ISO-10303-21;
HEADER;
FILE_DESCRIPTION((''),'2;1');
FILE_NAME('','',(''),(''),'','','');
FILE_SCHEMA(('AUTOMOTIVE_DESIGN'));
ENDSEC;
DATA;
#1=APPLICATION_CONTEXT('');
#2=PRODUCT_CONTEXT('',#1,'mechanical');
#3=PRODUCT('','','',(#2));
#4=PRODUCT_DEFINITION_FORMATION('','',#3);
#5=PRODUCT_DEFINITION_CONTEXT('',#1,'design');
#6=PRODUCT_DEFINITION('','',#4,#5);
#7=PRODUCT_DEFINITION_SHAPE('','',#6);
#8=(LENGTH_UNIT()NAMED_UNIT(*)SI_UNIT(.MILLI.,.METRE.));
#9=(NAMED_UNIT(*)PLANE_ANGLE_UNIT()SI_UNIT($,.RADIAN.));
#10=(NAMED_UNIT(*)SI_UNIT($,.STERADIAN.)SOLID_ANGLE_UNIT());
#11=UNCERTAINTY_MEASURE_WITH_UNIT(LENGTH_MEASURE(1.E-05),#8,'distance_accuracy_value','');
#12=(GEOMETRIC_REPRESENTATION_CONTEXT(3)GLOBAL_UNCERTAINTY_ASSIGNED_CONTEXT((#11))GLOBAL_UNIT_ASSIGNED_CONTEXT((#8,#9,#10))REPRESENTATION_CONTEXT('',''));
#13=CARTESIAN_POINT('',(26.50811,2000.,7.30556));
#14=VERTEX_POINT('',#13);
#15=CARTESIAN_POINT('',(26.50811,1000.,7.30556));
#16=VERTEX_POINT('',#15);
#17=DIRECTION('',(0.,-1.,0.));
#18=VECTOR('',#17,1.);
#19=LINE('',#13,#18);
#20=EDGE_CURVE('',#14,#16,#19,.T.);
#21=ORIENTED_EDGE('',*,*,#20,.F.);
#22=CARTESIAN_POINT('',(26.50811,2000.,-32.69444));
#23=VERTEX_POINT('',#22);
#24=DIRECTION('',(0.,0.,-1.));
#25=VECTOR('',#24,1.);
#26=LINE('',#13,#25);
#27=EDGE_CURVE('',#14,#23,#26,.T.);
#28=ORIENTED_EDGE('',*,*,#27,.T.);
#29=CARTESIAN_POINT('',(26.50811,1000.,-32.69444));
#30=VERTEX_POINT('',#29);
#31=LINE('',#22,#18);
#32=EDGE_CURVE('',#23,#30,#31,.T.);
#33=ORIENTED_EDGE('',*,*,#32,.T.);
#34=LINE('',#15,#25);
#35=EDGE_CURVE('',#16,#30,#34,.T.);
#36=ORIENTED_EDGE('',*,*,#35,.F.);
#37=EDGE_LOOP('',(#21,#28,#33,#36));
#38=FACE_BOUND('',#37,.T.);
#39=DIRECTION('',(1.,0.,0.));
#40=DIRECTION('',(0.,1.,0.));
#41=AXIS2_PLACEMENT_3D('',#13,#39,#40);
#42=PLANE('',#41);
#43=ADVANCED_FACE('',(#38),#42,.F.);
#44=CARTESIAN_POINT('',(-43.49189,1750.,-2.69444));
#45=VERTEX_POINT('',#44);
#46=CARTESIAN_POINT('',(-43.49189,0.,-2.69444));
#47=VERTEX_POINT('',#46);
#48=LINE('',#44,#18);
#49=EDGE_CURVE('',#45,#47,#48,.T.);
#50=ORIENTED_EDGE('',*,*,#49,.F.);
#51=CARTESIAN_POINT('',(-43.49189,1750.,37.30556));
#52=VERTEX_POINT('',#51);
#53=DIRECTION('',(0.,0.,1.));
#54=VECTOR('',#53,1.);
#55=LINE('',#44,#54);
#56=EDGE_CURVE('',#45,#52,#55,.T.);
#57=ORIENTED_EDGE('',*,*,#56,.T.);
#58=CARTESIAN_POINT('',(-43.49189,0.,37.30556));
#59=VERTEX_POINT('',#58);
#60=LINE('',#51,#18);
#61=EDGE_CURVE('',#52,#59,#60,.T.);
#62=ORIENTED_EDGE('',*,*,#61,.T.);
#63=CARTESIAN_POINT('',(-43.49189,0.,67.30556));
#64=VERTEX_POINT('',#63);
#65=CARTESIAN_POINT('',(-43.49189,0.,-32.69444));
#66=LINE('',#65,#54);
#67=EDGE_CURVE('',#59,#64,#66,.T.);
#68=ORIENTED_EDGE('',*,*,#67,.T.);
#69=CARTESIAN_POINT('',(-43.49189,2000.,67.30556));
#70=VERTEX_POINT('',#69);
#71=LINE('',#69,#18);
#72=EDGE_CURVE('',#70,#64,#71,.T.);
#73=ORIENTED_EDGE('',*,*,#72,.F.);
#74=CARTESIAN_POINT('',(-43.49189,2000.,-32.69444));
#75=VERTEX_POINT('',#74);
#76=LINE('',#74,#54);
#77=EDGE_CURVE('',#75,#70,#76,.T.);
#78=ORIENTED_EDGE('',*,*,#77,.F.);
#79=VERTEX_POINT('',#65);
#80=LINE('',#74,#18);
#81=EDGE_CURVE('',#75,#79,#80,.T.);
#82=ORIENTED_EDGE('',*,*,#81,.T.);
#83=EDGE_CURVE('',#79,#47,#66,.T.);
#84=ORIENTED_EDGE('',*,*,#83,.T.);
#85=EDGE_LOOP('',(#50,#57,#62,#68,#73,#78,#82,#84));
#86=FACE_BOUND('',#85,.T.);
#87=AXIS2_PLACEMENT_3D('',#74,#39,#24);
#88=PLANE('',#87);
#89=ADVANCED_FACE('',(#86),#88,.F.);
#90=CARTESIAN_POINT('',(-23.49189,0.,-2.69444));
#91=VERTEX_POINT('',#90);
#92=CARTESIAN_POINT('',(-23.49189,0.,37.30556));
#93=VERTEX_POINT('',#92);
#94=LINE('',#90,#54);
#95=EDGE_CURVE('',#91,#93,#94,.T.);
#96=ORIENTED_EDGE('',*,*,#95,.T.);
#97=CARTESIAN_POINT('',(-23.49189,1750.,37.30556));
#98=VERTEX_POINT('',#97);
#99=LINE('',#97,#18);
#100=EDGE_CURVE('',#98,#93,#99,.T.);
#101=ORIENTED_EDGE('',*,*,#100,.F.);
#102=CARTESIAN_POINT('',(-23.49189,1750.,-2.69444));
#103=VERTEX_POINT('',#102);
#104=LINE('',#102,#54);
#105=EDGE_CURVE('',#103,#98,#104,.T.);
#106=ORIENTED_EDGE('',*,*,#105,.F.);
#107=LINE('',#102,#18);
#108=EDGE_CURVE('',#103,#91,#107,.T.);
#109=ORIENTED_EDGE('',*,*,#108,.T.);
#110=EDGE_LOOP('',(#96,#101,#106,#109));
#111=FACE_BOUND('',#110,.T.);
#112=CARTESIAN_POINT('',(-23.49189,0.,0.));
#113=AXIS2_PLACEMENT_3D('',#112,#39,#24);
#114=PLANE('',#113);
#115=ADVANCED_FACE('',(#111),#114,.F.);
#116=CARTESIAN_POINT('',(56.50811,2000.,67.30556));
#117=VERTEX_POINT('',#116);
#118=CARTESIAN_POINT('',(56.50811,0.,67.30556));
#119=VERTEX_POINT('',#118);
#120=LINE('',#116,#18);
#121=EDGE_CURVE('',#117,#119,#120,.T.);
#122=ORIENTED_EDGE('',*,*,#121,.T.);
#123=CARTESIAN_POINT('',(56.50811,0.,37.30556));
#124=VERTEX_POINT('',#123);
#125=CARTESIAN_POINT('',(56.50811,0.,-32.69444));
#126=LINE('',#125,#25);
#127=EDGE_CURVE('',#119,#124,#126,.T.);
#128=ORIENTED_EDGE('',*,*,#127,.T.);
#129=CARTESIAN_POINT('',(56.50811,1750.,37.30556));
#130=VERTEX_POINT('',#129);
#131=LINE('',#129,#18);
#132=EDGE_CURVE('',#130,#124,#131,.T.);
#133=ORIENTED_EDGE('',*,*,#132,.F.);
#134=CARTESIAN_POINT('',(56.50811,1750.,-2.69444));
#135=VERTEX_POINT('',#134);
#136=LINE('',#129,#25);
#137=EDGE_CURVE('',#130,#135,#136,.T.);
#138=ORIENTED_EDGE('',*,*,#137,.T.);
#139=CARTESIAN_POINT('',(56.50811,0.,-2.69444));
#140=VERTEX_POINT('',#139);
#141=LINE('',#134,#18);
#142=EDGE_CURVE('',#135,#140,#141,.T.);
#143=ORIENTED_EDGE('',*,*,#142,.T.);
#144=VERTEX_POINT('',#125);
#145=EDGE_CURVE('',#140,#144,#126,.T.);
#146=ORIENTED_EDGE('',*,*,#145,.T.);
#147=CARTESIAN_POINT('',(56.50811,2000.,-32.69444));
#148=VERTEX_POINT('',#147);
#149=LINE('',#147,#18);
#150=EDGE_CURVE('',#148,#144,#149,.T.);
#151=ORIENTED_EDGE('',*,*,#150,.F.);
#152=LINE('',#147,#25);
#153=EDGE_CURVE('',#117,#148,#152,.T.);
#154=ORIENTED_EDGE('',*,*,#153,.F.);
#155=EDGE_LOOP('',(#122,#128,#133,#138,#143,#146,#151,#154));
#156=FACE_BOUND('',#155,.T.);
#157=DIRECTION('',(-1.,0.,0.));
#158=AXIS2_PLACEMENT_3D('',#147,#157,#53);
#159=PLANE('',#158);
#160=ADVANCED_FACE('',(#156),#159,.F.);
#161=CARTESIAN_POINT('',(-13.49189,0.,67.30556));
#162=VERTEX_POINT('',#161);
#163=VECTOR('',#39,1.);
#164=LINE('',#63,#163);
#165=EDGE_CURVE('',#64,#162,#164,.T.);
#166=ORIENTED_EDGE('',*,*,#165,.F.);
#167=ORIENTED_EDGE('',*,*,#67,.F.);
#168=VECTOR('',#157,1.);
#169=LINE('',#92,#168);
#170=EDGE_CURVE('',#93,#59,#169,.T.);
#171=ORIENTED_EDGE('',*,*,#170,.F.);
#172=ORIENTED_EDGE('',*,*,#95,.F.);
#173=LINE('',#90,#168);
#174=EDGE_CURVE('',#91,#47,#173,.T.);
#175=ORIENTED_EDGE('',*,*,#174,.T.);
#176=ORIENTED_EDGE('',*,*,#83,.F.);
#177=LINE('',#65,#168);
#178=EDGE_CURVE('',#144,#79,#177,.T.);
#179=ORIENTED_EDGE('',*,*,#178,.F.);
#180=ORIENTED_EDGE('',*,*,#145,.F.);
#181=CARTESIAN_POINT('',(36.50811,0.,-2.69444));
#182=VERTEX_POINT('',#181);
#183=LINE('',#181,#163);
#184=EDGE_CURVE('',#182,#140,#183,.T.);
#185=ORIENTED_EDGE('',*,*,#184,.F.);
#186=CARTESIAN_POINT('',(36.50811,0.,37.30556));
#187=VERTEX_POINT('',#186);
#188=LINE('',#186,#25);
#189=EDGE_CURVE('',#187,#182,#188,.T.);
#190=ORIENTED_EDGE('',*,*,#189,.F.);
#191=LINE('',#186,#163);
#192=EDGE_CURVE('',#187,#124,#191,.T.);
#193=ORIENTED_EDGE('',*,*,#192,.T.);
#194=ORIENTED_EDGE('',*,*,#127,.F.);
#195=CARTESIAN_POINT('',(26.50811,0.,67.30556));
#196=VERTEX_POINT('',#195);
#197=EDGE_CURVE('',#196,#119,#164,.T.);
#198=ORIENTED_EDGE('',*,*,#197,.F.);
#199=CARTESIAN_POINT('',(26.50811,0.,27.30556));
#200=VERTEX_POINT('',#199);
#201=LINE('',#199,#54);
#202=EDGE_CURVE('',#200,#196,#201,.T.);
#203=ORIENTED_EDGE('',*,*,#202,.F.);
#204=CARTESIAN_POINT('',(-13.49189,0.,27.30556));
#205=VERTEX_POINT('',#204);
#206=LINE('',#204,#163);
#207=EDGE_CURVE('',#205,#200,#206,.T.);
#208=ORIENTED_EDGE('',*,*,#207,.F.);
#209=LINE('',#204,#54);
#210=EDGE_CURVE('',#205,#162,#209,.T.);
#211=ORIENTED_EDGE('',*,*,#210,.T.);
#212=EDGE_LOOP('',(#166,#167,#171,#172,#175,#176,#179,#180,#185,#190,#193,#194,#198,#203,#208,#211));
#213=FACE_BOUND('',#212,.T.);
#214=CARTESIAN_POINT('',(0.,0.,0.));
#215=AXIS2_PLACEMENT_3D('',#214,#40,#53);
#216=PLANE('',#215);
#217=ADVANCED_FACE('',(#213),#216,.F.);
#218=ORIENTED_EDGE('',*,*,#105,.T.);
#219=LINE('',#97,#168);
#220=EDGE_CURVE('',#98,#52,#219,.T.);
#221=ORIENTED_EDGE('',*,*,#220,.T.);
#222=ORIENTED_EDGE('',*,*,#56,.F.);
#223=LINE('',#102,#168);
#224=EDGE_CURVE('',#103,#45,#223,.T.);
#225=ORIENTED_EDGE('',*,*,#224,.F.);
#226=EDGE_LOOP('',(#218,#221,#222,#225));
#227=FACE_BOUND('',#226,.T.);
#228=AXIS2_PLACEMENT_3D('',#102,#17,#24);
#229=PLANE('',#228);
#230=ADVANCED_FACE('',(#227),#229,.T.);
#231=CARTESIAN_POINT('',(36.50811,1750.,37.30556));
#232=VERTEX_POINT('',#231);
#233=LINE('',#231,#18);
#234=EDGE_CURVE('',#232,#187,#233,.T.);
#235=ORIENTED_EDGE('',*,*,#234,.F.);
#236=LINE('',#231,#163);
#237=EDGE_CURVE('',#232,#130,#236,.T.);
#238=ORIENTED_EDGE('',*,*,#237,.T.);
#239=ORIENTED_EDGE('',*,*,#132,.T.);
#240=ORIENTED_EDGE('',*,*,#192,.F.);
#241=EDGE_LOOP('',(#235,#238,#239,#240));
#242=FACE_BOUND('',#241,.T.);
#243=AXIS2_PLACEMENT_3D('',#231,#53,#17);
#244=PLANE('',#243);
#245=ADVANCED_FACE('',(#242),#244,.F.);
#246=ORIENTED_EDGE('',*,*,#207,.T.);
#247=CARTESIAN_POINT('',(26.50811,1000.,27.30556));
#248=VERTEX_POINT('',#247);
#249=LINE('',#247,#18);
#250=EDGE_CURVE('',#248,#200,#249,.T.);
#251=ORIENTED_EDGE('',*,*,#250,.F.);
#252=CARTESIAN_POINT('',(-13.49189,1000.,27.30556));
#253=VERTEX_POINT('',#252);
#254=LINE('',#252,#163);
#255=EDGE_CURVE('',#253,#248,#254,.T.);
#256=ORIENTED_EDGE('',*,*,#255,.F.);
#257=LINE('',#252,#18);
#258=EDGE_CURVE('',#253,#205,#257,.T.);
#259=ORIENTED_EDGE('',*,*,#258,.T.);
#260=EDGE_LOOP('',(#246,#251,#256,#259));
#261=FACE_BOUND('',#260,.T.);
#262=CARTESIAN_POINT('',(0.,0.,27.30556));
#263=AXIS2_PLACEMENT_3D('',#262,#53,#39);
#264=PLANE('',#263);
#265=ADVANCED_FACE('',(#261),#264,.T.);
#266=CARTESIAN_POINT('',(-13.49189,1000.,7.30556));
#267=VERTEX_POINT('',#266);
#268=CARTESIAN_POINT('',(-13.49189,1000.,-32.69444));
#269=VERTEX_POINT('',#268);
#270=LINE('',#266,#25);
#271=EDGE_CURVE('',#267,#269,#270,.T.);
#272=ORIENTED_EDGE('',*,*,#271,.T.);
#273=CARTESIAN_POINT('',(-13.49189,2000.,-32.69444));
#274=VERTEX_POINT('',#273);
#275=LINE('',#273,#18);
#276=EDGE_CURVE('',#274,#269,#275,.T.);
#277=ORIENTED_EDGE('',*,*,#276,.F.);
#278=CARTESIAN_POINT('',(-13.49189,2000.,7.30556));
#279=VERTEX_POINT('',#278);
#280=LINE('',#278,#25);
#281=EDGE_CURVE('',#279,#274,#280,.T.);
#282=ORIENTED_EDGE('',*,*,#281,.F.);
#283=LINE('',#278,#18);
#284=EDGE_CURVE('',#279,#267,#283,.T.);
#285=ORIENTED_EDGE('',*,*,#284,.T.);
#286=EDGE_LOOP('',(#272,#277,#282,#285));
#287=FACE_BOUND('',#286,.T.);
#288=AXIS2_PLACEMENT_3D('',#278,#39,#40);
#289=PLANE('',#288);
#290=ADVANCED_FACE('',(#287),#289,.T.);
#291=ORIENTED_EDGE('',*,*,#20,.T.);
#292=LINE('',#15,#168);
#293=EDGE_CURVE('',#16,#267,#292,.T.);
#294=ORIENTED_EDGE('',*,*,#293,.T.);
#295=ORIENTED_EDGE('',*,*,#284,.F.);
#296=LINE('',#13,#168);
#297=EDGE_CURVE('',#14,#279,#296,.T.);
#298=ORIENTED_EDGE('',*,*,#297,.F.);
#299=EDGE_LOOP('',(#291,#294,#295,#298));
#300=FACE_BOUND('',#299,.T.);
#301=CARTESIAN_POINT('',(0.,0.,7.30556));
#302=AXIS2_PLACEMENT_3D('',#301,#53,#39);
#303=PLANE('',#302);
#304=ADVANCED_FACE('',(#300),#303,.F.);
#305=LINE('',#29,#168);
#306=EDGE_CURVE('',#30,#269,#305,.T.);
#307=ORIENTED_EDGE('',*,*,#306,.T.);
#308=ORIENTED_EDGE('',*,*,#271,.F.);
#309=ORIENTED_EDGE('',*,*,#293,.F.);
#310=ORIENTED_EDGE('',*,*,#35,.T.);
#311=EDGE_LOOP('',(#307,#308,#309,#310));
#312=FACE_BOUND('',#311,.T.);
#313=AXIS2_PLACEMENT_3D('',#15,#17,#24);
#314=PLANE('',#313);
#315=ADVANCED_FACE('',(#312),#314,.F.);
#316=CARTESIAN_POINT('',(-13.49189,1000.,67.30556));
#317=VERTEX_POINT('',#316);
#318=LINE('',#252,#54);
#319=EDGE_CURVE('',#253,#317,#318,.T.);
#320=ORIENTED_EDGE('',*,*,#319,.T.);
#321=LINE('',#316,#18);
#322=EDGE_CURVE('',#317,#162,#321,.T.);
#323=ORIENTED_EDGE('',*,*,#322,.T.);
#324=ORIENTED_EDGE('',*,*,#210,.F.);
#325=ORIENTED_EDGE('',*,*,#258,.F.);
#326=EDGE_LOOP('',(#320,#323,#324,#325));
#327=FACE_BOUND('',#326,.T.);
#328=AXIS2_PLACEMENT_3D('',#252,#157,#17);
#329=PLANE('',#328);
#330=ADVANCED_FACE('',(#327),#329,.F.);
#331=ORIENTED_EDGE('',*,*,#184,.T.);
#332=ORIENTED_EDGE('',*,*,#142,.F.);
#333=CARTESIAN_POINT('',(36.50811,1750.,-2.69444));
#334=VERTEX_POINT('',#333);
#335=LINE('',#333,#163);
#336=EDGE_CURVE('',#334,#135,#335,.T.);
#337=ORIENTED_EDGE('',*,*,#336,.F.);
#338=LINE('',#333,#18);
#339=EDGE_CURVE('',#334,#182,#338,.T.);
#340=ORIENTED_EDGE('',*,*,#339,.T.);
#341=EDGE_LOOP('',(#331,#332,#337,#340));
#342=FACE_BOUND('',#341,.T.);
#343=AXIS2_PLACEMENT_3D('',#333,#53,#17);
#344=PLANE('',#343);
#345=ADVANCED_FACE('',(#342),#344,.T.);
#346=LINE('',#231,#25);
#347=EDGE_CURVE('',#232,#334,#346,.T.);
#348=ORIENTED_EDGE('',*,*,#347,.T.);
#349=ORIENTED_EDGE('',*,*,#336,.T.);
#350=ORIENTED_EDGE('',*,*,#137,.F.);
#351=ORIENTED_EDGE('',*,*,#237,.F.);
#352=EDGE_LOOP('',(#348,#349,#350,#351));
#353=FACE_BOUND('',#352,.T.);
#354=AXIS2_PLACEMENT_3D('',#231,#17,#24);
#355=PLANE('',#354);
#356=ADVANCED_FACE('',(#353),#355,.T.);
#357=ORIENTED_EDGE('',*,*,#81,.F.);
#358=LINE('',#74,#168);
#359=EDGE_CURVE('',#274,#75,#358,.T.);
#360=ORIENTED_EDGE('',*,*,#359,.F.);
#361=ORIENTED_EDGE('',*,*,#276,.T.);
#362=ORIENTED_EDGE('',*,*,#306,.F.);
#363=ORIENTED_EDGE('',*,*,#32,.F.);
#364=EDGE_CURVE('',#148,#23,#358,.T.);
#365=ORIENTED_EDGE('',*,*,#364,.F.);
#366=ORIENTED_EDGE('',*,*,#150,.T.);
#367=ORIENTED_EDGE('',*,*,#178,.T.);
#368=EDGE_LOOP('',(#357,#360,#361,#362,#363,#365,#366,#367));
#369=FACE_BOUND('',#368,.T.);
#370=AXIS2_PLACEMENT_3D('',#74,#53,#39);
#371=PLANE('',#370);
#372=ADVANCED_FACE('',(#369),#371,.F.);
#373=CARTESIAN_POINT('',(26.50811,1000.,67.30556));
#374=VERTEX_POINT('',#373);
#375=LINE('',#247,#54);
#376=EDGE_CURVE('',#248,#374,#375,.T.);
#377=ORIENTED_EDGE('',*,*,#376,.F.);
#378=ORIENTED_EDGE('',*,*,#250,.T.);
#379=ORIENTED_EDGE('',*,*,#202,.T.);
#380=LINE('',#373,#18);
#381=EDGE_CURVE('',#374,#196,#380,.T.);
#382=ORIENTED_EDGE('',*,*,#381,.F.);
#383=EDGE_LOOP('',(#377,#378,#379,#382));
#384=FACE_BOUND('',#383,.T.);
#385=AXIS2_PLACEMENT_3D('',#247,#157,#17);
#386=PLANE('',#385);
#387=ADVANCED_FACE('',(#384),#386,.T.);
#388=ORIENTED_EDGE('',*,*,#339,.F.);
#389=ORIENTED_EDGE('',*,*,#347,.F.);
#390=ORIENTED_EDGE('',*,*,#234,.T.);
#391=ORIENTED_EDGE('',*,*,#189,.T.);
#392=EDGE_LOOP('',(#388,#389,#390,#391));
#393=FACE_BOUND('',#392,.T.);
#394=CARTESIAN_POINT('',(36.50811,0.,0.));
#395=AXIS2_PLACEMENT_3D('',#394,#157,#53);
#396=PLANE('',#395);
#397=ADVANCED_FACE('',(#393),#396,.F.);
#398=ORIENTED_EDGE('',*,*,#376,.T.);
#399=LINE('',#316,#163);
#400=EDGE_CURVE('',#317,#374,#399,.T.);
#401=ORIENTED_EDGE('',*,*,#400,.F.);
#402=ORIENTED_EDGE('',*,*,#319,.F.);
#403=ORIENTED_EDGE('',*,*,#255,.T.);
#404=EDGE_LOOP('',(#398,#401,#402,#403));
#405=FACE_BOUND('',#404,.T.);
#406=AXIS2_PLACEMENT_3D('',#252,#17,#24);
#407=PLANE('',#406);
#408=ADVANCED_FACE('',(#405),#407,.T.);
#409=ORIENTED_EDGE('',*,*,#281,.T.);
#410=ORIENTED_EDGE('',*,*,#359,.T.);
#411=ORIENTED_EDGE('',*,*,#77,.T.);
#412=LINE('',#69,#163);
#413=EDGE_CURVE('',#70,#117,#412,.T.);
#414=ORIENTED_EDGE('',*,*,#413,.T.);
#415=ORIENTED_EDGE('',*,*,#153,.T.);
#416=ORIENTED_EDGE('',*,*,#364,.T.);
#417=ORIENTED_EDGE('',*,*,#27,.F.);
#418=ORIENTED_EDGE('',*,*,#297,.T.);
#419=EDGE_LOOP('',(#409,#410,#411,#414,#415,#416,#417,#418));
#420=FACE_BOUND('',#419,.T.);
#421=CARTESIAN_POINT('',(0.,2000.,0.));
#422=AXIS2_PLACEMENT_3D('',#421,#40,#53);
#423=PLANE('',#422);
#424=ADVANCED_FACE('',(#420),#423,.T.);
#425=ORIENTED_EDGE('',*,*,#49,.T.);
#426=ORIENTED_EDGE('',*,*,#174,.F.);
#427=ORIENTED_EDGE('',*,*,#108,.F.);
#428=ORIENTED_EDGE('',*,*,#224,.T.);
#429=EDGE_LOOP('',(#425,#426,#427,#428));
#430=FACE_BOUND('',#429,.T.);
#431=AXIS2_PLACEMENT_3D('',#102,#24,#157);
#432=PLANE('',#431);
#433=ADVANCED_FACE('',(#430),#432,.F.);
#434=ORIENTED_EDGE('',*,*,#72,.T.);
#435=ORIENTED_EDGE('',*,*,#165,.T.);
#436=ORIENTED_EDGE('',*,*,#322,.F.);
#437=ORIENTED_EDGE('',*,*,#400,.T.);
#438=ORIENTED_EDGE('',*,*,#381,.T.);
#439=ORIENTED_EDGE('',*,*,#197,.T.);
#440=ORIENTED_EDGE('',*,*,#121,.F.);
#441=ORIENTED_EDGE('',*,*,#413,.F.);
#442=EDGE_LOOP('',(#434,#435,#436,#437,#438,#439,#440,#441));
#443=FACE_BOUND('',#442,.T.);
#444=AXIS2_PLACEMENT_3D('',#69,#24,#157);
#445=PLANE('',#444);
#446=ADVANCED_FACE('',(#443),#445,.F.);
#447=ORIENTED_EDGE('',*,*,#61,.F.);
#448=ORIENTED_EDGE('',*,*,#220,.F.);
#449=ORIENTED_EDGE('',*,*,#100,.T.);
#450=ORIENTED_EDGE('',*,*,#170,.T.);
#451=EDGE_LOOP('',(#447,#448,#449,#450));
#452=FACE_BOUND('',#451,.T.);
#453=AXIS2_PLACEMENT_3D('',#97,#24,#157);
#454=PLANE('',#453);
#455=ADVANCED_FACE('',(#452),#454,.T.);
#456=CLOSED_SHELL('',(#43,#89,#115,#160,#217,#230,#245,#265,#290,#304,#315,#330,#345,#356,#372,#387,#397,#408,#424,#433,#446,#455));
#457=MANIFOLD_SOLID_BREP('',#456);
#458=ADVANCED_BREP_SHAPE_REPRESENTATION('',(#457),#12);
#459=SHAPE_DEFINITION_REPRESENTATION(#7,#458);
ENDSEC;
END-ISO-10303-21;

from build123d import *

# Parameters (mm, degrees)
SKETCH1_W           = 100
SKETCH1_H           = 100
BOSS_EXTRUDE1_DEPTH = 2000
SKETCH2_W           = 40
SKETCH2_H           = 1000
CUT_EXTRUDE1_DEPTH  = 40
SKETCH3_W           = 40
SKETCH3_H           = 1000
CUT_EXTRUDE2_DEPTH  = 40
SKETCH4_W           = 40
SKETCH4_H           = 1750
CUT_EXTRUDE3_DEPTH  = 20
SKETCH5_W           = 40
SKETCH5_H           = 1750
CUT_EXTRUDE4_DEPTH  = 20


with BuildPart() as part:
    # Sketch1 → Boss-Extrude1 (new body)
    with BuildSketch(Plane(origin=(0, 0, 0), x_dir=(1, 0, 0), z_dir=(0, 1, 0))):
        with Locations((6.50810977, -17.305559975)):
            Rectangle(SKETCH1_W, SKETCH1_H)
    extrude(amount=BOSS_EXTRUDE1_DEPTH)

    # Sketch2 → Cut-Extrude1 (cut)
    with BuildSketch(Plane.XY.offset(67.305559975)):
        with Locations((6.50810977, 500)):
            Rectangle(SKETCH2_W, SKETCH2_H)
    extrude(amount=-CUT_EXTRUDE1_DEPTH, mode=Mode.SUBTRACT)

    # Sketch3 → Cut-Extrude2 (cut)
    with BuildSketch(Plane(origin=(0, 0, -32.694440025), x_dir=(-1, 0, 0), z_dir=(0, 0, -1))):
        with Locations((-6.50810977, 1500)):
            Rectangle(SKETCH3_W, SKETCH3_H)
    extrude(amount=-CUT_EXTRUDE2_DEPTH, mode=Mode.SUBTRACT)

    # Sketch4 → Cut-Extrude3 (cut)
    with BuildSketch(Plane(origin=(56.50810977, 0, 0), x_dir=(0, 0, -1), z_dir=(1, 0, 0))):
        with Locations((-17.305559975, 875)):
            Rectangle(SKETCH4_W, SKETCH4_H)
    extrude(amount=-CUT_EXTRUDE3_DEPTH, mode=Mode.SUBTRACT)

    # Sketch5 → Cut-Extrude4 (cut)
    with BuildSketch(Plane.ZY.offset(43.49189023)):
        with Locations((17.305559975, 875)):
            Rectangle(SKETCH5_W, SKETCH5_H)
    extrude(amount=-CUT_EXTRUDE4_DEPTH, mode=Mode.SUBTRACT)


solid = part.part
